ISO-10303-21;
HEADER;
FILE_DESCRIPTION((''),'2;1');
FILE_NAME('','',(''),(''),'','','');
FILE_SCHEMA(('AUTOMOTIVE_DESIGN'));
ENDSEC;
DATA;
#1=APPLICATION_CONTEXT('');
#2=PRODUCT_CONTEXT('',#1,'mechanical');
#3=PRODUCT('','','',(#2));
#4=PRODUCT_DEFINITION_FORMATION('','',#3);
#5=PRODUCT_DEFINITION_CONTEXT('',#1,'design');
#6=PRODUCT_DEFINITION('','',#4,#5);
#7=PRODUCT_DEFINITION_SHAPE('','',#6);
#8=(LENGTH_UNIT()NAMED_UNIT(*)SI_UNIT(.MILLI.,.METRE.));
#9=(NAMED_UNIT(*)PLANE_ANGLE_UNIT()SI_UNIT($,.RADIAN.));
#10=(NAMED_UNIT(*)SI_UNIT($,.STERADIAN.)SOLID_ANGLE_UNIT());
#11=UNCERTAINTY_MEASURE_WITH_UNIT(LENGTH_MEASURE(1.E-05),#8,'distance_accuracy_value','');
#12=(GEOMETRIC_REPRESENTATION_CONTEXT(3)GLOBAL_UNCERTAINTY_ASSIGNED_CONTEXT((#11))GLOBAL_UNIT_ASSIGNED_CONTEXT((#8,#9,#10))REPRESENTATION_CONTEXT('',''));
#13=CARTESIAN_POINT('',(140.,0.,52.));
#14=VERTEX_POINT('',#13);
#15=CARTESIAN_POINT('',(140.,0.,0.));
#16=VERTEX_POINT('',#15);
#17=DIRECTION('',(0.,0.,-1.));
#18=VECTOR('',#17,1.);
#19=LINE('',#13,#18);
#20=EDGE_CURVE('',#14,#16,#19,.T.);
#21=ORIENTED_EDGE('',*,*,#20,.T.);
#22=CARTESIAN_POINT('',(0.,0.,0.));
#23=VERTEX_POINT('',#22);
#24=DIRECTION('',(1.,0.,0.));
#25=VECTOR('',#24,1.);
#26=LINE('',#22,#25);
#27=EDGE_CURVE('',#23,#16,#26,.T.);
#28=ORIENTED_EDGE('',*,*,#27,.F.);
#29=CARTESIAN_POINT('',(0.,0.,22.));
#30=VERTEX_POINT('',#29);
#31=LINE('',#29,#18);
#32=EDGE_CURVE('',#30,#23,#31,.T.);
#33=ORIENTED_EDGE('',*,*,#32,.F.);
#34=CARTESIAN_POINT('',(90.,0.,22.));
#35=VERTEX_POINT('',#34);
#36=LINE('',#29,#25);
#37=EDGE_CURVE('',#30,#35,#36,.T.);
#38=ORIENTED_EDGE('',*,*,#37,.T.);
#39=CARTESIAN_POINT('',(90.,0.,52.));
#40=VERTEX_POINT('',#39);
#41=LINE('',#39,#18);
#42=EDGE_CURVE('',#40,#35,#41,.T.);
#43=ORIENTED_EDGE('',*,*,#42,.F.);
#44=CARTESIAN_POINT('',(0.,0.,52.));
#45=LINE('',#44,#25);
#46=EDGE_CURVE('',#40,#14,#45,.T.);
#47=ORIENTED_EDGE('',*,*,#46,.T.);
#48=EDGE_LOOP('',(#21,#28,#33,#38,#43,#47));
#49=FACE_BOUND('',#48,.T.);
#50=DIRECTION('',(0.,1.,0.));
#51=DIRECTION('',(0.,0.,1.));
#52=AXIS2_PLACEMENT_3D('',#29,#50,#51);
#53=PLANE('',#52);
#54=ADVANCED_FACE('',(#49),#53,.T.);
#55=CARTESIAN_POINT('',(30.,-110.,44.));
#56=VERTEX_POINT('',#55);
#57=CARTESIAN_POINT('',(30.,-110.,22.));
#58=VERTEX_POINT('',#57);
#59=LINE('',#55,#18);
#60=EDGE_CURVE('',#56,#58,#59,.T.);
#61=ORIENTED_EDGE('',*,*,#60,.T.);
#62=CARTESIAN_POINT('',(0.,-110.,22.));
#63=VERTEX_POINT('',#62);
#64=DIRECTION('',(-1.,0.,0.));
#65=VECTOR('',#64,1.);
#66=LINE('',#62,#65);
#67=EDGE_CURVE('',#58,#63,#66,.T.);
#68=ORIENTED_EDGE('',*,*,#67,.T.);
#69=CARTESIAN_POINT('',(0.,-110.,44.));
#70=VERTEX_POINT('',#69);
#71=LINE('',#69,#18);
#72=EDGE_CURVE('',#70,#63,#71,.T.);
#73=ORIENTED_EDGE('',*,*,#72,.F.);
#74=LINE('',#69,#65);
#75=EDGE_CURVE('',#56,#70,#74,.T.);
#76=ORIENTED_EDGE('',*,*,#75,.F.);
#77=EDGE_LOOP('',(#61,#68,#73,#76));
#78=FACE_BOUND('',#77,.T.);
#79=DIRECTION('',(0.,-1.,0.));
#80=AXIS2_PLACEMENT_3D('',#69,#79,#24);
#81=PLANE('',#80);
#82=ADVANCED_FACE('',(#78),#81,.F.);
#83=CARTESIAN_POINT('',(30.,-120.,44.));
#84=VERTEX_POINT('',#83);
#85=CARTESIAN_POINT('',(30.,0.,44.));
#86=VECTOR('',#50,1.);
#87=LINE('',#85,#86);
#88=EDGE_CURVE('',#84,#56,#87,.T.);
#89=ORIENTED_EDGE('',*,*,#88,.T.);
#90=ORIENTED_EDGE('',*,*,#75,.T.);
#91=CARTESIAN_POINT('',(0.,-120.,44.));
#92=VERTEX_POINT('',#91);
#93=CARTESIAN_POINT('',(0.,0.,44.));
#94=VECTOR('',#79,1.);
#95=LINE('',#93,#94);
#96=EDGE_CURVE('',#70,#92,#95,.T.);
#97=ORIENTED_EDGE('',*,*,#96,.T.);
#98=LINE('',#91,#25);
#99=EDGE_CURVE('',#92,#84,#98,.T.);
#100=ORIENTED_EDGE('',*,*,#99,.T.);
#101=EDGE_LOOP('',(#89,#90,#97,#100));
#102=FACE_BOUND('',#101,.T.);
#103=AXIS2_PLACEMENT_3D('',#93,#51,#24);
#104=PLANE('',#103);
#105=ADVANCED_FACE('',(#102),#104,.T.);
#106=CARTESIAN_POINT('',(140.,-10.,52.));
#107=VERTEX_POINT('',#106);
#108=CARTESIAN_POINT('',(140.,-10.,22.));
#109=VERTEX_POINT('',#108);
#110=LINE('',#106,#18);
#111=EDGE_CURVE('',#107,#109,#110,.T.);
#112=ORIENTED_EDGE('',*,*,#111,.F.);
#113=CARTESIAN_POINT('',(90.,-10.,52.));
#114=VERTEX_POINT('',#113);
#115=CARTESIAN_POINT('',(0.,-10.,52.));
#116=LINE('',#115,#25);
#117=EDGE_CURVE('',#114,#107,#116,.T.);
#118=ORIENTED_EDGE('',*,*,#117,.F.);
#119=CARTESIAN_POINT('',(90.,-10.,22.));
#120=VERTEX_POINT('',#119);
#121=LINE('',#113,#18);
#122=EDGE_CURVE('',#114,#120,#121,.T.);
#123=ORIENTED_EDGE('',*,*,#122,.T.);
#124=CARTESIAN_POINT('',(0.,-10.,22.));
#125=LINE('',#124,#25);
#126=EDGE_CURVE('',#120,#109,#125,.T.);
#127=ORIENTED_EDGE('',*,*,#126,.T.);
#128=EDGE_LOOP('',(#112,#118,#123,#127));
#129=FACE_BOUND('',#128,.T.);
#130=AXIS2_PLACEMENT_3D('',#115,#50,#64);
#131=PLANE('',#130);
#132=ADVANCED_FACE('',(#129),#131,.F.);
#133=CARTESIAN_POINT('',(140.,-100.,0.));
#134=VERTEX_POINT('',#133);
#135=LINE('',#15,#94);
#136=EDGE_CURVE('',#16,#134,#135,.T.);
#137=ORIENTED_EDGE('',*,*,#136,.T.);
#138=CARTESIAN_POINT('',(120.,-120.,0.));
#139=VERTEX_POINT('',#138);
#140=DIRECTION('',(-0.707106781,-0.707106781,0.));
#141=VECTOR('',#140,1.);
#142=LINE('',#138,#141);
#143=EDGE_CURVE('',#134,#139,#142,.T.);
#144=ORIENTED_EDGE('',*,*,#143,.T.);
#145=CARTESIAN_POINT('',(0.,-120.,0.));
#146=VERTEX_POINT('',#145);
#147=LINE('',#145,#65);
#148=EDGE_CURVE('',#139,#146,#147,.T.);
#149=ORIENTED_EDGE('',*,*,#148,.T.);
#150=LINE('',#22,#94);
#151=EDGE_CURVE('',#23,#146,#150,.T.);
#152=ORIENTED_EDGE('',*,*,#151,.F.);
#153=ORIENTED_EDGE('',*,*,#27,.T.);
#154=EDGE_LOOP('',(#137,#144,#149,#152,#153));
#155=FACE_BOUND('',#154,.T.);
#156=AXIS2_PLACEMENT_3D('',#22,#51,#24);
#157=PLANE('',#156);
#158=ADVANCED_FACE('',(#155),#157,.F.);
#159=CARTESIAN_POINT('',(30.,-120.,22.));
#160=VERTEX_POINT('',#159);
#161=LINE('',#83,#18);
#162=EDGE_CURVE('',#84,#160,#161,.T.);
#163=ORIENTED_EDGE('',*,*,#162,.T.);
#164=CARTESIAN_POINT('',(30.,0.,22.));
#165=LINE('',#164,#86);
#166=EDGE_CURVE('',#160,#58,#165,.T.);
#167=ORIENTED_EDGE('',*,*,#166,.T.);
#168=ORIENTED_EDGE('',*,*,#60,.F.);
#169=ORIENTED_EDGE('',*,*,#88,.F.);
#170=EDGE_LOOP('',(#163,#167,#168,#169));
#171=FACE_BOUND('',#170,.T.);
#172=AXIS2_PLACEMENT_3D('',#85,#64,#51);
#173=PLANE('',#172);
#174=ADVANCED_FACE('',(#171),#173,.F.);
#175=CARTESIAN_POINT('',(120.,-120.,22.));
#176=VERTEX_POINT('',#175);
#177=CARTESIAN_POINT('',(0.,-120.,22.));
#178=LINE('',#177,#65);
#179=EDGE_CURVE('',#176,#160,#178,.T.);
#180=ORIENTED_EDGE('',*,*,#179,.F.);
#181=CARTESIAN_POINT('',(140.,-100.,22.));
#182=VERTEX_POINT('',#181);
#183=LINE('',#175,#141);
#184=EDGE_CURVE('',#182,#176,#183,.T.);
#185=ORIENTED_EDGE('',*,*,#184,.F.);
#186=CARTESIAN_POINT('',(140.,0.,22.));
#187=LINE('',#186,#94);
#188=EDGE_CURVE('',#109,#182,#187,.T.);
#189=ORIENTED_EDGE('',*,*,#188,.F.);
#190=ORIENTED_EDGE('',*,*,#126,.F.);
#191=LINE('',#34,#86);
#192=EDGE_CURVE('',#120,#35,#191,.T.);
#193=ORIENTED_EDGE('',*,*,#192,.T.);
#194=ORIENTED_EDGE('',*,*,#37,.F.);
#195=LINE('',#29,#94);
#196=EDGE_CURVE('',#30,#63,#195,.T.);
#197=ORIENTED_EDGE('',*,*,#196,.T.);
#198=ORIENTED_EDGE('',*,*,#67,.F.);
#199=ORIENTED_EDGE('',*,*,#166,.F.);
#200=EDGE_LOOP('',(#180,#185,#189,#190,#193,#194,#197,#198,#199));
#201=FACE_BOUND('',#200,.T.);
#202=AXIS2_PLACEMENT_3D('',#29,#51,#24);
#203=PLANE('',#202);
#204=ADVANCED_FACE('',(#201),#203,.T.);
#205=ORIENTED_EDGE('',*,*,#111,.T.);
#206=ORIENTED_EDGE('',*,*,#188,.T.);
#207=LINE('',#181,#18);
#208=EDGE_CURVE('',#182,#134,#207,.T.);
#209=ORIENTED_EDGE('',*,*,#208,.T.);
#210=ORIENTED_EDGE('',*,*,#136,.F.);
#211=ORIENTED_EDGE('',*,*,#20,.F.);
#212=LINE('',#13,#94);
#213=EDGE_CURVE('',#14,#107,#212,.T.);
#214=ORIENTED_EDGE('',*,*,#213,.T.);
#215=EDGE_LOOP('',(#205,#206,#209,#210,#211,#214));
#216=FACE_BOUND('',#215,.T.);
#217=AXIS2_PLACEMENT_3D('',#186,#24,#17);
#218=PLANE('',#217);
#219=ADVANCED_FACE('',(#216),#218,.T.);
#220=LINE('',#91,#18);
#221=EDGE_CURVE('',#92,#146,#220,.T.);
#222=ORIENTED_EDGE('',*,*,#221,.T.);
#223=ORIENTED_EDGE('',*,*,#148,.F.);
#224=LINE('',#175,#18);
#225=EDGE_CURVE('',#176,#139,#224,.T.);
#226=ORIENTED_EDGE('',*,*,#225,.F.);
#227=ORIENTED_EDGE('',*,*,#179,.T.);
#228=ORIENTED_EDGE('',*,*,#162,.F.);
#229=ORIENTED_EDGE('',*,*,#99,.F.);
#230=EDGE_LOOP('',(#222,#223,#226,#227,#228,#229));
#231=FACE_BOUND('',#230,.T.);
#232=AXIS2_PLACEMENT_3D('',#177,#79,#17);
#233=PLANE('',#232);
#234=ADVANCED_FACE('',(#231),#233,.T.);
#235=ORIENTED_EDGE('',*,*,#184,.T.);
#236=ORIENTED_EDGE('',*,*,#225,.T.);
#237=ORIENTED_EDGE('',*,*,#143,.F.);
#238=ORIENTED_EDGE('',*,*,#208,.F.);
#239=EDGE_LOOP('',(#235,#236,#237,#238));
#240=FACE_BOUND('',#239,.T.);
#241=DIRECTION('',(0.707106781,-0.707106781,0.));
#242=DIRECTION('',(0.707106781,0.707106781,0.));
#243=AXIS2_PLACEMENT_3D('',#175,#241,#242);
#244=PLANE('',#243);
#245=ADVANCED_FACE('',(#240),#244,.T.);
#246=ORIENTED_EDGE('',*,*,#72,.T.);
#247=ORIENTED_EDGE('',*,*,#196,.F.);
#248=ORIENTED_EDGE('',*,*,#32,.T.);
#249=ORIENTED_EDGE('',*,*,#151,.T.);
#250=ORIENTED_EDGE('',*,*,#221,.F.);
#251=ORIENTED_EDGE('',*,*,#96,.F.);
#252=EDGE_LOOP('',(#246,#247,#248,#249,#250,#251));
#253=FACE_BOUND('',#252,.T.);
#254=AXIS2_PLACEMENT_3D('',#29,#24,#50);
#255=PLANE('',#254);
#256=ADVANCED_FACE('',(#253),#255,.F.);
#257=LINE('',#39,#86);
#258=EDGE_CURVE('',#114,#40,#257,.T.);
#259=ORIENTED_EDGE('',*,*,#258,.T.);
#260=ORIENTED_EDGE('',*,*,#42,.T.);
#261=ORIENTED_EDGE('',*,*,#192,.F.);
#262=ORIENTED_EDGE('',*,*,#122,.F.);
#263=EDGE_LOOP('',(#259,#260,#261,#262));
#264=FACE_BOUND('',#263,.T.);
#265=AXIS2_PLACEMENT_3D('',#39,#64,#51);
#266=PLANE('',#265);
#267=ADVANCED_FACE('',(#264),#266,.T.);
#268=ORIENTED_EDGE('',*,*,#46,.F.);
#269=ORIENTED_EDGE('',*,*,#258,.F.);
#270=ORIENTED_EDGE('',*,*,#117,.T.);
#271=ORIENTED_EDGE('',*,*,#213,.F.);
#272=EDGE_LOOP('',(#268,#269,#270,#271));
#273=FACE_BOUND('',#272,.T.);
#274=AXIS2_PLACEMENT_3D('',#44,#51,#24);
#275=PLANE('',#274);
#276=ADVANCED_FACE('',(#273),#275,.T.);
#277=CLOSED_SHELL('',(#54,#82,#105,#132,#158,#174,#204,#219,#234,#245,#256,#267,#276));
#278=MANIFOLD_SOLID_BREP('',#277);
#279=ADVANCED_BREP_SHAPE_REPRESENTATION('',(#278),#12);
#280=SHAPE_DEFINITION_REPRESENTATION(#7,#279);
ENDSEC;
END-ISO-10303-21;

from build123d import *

# Parameters (mm, degrees)
BOSS_EXTRUDE1_DEPTH = 22
SKETCH1_3_W         = 30
SKETCH1_3_H         = 10
BOSS_EXTRUDE2_DEPTH = 44
SKETCH1_4_W         = 30
SKETCH1_4_H         = 10
BOSS_EXTRUDE3_DEPTH = 52
SKETCH1_5_W         = 20
SKETCH1_5_H         = 10
BOSS_EXTRUDE4_DEPTH = 52


with BuildPart() as part:
    # Sketch1 → Boss-Extrude1 (new body)
    with BuildSketch(Plane.XY):
        Polygon((90, 0), (0, 0), (0, -110), (30, -110), (30, -120), (120, -120), (140, -100), (140, -10), (110, -10), (90, -10), align=None)
    extrude(amount=BOSS_EXTRUDE1_DEPTH)

    # Sketch1<3> → Boss-Extrude2 (add)
    with BuildSketch(Plane.XY):
        with Locations((15, -115)):
            Rectangle(SKETCH1_3_W, SKETCH1_3_H)
    extrude(amount=BOSS_EXTRUDE2_DEPTH)

    # Sketch1<4> → Boss-Extrude3 (add)
    with BuildSketch(Plane.XY):
        with Locations((125, -5)):
            Rectangle(SKETCH1_4_W, SKETCH1_4_H)
    extrude(amount=BOSS_EXTRUDE3_DEPTH)

    # Sketch1<5> → Boss-Extrude4 (add)
    with BuildSketch(Plane.XY):
        with Locations((100, -5)):
            Rectangle(SKETCH1_5_W, SKETCH1_5_H)
    extrude(amount=BOSS_EXTRUDE4_DEPTH)


solid = part.part
